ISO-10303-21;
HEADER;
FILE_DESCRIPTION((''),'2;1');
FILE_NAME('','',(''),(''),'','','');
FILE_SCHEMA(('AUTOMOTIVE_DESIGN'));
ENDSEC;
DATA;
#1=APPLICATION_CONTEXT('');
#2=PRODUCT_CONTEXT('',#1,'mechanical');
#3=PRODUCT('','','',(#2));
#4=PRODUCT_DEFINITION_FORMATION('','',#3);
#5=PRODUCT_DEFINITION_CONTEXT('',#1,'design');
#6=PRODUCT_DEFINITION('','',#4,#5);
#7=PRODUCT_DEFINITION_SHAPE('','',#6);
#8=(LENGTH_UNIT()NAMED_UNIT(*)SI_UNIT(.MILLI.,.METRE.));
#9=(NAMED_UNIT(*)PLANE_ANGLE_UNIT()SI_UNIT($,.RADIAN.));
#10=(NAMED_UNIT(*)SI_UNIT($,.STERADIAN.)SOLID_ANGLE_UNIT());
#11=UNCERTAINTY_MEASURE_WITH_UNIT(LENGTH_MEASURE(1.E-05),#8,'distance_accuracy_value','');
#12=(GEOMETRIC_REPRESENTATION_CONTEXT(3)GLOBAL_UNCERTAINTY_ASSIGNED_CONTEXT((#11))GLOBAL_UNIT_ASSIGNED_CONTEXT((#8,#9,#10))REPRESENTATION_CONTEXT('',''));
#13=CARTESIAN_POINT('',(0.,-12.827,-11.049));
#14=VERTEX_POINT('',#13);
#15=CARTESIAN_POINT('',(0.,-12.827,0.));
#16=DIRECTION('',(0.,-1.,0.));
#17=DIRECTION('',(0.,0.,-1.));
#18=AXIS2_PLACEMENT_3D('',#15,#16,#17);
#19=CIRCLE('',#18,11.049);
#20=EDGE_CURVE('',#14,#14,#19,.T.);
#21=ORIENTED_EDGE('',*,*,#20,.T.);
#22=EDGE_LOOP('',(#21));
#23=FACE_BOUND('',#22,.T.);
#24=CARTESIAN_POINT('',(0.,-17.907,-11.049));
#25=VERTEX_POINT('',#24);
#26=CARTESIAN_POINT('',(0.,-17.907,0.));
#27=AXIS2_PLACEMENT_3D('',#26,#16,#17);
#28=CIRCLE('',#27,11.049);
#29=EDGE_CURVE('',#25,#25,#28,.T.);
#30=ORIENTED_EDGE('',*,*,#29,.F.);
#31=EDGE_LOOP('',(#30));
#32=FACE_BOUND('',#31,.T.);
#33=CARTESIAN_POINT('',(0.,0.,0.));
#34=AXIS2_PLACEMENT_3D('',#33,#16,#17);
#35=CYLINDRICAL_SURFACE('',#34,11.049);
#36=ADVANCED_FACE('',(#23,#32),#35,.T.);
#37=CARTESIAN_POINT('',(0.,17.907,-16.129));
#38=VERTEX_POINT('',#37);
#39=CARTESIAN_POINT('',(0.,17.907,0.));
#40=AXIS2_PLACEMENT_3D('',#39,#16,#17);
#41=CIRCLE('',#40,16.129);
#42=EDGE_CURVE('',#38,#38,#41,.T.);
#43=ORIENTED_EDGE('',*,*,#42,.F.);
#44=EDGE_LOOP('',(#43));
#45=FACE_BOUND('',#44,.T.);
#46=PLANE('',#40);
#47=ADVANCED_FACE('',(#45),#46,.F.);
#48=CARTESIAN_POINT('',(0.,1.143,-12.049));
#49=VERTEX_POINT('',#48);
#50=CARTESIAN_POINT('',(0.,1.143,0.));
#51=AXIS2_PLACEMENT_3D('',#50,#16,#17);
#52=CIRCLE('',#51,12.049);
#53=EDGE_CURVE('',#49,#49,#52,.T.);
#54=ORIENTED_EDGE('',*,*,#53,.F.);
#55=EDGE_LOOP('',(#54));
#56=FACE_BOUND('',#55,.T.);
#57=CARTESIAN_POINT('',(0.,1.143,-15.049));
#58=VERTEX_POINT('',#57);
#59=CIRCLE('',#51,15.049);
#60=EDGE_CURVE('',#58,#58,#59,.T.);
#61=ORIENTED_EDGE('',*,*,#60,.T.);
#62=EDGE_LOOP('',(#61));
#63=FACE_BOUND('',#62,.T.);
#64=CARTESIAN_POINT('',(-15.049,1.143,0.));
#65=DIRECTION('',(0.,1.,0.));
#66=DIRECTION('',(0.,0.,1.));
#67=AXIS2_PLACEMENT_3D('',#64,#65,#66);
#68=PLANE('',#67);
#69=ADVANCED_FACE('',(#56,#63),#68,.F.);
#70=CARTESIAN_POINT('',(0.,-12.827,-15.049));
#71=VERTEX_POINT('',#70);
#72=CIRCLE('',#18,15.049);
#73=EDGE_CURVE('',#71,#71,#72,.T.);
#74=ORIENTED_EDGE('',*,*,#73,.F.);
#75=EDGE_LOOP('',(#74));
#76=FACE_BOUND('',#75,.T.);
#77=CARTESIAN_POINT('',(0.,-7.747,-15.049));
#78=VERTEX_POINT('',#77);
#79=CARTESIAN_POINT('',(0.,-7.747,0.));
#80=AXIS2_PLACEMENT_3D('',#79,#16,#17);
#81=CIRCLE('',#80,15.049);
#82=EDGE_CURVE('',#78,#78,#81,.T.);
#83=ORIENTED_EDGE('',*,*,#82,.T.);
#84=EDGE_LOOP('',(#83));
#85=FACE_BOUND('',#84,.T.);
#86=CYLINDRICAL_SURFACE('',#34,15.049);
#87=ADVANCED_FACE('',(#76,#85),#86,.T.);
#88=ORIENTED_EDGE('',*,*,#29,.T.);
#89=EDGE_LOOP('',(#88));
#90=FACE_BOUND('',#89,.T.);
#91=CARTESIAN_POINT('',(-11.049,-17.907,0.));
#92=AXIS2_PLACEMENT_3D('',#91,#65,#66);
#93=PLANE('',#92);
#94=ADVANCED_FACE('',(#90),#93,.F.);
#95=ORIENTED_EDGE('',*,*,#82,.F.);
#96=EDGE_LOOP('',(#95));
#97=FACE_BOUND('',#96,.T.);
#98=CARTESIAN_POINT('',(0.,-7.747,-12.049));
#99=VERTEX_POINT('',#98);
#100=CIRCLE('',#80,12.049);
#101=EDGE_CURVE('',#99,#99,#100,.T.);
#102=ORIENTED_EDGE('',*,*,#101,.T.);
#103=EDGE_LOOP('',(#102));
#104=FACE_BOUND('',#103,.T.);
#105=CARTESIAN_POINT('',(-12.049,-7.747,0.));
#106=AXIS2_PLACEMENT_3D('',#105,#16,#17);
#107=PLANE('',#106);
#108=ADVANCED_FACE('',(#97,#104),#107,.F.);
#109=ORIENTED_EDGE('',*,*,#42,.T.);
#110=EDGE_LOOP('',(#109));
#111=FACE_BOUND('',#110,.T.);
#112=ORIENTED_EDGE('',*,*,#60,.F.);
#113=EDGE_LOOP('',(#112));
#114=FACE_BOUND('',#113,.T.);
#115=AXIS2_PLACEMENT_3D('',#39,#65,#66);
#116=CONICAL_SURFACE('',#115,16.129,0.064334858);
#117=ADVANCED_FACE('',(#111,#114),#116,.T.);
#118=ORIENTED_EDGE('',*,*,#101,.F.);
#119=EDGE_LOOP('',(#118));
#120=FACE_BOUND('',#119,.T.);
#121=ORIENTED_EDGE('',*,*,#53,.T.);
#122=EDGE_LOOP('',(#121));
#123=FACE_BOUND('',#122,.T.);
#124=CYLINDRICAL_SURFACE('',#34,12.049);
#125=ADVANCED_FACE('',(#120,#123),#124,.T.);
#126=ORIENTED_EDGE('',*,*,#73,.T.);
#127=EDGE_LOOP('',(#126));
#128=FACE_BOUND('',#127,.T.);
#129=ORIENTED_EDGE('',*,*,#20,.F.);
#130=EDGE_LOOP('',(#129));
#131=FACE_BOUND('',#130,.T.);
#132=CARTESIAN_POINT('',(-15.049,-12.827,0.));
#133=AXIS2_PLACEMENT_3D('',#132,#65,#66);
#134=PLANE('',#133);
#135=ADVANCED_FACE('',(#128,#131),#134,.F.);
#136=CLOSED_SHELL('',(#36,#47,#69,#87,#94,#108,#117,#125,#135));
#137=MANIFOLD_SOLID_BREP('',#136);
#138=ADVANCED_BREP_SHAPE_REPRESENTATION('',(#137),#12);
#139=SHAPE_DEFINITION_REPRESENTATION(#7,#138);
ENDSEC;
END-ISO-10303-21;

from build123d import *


with BuildPart() as part:
    # Sketch1 → Revolve1 (revolve)
    with BuildSketch(Plane.XY, mode=Mode.PRIVATE) as revolve1_sk:
        Polygon((0, 17.907), (-16.129, 17.907), (-15.049, 1.143), (-12.049, 1.143), (-12.049, -7.747), (-15.049, -7.747), (-15.049, -12.827), (-11.049, -12.827), (-11.049, -17.907), (0, -17.907), (0, 0), align=None)
    revolve(revolve1_sk.sketch.rotate(Axis((0, 0, 0), (0, 1, 0)), 270), axis=Axis((0, 0, 0), (0, 1, 0)))


solid = part.part
